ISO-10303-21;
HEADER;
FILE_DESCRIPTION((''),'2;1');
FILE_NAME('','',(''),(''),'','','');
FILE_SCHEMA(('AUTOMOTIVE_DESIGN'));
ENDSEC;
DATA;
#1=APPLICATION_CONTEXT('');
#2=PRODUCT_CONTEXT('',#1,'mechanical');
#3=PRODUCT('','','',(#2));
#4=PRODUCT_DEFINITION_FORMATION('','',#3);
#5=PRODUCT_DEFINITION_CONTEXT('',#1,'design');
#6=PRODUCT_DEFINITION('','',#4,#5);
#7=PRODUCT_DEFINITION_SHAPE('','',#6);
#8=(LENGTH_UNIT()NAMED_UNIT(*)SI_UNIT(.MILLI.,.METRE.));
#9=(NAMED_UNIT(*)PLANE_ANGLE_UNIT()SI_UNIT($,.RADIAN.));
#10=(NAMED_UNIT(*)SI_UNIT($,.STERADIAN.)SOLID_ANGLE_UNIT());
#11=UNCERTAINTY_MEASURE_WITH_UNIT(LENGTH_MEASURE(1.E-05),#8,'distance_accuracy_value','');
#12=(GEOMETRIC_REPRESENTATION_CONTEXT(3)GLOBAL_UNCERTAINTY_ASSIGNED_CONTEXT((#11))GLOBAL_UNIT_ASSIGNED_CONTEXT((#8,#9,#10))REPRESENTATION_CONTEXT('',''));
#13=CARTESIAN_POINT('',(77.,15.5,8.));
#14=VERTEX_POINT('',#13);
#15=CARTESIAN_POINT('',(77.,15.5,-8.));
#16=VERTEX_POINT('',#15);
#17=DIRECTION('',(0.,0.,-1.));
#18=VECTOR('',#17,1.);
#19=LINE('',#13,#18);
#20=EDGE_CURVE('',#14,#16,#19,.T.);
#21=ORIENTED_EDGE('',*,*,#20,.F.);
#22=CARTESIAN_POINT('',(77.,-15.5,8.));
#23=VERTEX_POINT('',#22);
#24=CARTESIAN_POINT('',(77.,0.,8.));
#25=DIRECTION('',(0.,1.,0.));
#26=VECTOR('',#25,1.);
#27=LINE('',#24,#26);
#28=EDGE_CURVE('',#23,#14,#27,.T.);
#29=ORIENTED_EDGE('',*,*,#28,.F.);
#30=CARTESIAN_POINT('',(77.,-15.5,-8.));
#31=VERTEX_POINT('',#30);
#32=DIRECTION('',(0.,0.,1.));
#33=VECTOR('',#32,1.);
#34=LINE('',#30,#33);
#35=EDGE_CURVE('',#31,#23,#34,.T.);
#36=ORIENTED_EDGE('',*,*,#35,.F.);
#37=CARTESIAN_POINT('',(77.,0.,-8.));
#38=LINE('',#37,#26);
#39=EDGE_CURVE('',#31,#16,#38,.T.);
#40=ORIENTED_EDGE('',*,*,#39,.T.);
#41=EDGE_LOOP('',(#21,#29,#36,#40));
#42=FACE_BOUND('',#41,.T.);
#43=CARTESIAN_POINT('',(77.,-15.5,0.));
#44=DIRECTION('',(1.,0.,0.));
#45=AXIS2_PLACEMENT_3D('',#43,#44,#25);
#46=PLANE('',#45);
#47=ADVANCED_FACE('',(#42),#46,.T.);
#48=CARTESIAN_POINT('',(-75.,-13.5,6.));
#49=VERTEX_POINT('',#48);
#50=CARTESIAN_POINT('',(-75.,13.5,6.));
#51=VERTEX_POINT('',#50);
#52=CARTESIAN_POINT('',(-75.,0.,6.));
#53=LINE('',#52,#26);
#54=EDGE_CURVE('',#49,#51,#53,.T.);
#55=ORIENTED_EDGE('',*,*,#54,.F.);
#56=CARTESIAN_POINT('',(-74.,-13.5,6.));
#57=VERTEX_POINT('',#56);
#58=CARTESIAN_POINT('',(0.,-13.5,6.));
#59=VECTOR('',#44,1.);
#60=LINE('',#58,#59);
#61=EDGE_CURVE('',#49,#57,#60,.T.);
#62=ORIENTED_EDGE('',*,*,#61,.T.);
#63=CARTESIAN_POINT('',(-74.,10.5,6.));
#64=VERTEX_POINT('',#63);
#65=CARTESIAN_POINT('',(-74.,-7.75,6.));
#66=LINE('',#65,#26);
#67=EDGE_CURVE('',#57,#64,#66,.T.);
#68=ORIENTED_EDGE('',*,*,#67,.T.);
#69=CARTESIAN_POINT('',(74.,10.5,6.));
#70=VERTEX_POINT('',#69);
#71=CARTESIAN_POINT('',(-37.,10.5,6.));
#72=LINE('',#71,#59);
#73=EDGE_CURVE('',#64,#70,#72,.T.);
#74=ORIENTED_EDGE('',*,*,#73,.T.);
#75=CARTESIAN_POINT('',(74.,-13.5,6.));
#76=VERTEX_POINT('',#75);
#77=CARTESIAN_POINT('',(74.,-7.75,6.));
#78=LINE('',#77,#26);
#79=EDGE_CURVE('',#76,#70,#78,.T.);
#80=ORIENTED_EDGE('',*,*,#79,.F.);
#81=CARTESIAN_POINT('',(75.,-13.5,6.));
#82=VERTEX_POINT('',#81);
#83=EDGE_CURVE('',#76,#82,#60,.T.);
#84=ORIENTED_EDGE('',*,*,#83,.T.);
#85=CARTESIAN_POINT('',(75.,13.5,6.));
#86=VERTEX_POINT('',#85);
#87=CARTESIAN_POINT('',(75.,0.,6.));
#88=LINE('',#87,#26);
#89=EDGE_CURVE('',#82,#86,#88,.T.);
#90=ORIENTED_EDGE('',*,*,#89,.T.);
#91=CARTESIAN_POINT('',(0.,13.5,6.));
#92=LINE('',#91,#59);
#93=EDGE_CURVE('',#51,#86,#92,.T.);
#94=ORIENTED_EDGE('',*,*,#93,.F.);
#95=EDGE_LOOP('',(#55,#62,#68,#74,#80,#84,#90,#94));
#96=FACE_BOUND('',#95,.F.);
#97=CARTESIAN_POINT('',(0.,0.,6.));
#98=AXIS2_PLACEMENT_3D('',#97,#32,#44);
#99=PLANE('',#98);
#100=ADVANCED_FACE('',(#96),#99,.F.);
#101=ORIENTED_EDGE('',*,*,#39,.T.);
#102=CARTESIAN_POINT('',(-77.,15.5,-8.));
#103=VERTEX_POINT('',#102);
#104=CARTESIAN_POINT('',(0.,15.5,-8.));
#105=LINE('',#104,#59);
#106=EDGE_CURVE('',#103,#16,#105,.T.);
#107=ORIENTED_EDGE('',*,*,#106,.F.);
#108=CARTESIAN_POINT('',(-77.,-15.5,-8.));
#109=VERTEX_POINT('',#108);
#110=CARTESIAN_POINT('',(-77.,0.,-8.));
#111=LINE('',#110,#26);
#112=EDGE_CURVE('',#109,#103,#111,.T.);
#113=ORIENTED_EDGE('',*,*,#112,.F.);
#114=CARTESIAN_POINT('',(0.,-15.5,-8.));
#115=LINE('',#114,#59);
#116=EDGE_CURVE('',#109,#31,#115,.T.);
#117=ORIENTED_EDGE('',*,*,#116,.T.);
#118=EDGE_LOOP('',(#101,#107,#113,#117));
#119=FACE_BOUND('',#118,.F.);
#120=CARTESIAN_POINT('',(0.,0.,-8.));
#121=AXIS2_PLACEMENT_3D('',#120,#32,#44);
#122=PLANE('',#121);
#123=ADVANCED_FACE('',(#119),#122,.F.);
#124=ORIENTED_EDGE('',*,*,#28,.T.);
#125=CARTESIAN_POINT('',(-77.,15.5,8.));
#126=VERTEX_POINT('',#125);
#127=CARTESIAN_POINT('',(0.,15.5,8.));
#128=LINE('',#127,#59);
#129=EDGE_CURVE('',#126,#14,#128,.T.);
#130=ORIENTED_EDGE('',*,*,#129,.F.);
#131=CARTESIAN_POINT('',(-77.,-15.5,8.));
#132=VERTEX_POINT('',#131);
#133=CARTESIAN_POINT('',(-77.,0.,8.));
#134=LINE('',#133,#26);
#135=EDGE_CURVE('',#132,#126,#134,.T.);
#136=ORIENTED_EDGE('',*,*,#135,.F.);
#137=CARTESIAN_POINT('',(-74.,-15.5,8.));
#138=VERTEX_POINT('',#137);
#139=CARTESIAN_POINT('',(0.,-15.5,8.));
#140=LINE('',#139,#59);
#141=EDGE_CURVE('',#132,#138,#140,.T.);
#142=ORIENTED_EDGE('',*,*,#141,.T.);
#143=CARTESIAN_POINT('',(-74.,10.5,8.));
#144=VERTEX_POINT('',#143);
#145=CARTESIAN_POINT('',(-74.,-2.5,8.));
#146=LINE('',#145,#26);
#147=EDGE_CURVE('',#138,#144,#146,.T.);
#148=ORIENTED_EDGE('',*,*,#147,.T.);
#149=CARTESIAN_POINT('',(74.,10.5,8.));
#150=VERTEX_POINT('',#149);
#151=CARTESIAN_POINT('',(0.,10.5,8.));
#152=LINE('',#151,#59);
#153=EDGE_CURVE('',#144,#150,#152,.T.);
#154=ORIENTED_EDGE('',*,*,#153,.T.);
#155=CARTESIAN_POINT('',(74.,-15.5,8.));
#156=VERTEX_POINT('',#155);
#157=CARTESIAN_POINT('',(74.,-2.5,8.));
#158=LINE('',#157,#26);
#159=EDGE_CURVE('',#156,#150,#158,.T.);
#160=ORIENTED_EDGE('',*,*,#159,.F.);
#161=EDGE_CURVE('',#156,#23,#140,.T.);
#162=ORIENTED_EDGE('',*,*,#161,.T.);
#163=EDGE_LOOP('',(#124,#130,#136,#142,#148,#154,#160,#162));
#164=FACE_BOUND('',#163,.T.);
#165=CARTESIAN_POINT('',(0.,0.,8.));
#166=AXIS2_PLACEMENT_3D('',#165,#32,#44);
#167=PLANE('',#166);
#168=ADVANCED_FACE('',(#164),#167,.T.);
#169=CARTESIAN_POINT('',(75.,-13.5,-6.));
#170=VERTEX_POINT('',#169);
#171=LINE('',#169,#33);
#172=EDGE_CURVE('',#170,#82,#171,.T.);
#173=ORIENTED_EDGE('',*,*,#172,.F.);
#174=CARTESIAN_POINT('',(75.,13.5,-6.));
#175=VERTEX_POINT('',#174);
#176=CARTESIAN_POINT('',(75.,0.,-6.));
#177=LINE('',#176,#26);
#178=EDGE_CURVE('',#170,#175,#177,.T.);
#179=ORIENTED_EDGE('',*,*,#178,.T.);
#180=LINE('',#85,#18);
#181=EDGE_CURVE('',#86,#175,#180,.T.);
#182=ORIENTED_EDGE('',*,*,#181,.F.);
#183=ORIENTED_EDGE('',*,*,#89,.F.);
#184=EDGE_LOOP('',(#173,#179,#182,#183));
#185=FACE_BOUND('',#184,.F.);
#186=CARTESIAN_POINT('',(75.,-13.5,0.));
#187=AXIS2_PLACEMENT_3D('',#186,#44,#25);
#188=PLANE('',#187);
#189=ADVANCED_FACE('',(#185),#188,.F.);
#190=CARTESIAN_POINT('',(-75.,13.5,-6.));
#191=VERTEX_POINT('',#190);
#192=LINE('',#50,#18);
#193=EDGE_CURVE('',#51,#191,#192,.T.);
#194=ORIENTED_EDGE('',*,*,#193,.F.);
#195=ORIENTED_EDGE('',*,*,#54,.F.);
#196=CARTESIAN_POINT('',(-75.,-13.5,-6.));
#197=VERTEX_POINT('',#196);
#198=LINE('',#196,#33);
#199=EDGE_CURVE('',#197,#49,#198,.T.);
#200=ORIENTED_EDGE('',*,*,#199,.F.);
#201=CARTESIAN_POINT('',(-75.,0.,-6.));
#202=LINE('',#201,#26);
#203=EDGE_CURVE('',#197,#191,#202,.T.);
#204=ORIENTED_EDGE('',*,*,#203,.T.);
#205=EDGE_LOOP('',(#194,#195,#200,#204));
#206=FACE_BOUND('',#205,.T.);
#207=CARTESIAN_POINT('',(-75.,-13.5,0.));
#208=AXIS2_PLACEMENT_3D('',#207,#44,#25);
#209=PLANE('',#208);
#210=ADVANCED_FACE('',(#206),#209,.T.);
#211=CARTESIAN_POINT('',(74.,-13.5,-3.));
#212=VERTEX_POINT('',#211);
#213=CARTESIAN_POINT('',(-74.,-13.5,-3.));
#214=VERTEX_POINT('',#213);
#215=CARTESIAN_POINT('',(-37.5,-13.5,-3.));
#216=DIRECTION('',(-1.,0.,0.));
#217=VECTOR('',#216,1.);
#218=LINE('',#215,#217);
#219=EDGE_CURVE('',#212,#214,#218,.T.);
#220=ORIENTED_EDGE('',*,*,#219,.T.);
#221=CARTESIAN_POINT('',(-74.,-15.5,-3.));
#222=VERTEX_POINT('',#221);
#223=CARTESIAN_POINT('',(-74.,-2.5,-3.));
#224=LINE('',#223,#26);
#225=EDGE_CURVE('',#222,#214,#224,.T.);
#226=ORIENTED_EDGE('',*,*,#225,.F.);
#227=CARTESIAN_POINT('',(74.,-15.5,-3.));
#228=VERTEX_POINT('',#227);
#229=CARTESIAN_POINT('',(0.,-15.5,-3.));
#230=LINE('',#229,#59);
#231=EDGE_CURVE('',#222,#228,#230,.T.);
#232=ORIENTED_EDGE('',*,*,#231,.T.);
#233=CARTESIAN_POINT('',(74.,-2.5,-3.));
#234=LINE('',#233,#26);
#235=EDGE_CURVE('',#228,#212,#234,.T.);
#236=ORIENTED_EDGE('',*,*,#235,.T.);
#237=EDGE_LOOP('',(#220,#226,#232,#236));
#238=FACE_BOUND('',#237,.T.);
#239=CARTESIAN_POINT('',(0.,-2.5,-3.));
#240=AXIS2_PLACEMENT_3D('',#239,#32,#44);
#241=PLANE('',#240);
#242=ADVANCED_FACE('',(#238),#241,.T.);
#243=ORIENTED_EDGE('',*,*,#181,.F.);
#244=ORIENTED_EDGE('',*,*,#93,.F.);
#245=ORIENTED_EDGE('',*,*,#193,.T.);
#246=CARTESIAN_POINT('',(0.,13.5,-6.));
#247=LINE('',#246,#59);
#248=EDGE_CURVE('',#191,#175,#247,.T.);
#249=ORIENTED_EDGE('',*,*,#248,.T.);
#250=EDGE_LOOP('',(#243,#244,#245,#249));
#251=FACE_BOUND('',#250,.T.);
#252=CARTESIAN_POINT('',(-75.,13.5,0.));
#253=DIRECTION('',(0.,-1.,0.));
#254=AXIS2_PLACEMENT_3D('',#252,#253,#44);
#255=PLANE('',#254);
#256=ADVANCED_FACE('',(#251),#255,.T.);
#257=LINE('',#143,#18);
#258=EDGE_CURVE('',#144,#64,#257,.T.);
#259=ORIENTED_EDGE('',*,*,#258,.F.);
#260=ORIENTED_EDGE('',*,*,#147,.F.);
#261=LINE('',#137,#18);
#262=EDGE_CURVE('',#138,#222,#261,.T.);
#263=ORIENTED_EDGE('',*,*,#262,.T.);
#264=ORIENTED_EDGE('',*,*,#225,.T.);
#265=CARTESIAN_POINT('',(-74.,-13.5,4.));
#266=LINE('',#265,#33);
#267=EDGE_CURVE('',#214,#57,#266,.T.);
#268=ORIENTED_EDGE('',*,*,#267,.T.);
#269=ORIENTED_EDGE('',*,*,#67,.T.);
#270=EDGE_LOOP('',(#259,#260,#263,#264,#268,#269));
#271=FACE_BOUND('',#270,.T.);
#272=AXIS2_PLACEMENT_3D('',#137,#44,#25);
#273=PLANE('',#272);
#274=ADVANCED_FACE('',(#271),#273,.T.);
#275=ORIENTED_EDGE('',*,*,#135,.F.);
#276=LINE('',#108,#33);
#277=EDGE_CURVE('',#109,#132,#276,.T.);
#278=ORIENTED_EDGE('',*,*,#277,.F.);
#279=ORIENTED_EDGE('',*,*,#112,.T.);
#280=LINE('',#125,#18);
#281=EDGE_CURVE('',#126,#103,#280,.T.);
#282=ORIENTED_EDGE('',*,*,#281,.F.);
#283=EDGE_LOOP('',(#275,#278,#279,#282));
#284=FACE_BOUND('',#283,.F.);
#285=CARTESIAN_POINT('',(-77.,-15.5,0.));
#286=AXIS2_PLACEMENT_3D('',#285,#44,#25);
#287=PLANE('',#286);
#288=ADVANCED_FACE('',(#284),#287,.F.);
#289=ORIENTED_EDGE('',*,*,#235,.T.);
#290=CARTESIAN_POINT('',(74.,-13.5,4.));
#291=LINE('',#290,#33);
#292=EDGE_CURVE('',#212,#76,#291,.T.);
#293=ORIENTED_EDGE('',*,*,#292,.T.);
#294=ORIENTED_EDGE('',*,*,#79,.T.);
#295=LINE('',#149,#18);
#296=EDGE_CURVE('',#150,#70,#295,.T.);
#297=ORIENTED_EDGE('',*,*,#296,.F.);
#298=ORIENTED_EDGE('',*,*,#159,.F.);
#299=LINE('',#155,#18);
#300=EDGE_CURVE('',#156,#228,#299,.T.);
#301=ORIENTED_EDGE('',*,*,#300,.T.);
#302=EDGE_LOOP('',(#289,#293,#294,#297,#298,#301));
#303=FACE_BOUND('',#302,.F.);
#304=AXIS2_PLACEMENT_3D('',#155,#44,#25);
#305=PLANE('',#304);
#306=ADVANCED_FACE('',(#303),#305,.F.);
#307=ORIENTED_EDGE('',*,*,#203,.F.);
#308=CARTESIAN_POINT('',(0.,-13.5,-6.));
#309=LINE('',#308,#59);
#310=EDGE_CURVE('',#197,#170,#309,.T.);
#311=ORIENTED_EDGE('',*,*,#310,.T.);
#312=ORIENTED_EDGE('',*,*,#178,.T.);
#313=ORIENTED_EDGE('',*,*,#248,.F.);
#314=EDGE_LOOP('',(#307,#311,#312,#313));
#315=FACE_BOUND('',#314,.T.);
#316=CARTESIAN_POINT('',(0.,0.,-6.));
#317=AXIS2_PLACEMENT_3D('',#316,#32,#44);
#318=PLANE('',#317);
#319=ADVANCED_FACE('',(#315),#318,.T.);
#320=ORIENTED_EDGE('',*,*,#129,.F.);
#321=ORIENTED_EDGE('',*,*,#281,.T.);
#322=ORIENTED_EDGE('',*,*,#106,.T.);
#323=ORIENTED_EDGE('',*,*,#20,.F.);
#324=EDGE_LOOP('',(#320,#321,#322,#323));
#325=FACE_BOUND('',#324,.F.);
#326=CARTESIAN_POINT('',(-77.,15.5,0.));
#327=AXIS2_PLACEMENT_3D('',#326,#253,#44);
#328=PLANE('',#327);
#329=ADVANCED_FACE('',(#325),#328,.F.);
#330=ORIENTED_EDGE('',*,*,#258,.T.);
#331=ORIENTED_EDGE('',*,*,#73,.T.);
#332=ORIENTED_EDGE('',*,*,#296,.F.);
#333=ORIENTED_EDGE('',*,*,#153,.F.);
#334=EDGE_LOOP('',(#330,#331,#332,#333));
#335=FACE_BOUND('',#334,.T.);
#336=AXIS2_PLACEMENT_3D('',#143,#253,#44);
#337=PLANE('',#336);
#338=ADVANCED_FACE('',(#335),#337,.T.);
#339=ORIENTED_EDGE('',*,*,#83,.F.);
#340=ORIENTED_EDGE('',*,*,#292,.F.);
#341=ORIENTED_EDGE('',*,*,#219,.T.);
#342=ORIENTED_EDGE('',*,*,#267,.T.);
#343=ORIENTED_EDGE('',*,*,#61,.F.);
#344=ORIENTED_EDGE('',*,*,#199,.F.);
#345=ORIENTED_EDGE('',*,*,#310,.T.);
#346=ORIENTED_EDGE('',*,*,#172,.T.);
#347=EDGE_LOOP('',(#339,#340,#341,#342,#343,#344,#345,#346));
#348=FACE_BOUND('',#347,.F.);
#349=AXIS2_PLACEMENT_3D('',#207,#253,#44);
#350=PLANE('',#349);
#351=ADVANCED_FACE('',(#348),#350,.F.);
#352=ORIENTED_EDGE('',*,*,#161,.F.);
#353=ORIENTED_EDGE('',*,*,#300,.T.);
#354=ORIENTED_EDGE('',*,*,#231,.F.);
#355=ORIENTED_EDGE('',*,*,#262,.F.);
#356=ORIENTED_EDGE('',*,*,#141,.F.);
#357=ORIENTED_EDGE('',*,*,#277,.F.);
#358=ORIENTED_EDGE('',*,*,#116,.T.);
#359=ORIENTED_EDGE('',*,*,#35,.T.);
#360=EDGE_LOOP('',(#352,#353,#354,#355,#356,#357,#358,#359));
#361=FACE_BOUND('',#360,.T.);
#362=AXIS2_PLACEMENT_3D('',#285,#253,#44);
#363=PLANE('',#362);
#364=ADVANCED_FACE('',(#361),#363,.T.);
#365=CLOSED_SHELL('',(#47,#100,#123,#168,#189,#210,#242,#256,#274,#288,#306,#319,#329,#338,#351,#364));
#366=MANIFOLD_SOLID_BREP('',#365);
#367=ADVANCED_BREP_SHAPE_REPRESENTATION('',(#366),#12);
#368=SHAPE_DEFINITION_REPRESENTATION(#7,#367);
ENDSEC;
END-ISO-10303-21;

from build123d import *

# Parameters (mm, degrees)
F0_W     = 154
F0_H     = 31
F1_DEPTH = 8
F2_W     = 150
F2_H     = 27
F3_DEPTH = 6
F4_W     = 148
F4_H     = 26
F5_DEPTH = 11


with BuildPart() as f1:
    # F0 (on Top) → F1 (new body, symmetric)
    with BuildSketch(Plane.XY):
        Rectangle(F0_W, F0_H)
    extrude(amount=F1_DEPTH, both=True)

    # F2 (on Top) → F3 (cut, symmetric)
    with BuildSketch(Plane.XY):
        Rectangle(F2_W, F2_H)
    extrude(amount=F3_DEPTH, both=True, mode=Mode.SUBTRACT)

    # F4 (on face) → F5 (cut)
    with BuildSketch(Plane.XY.offset(8)):
        with Locations((0, -2.5)):
            Rectangle(F4_W, F4_H)
    extrude(amount=-F5_DEPTH, mode=Mode.SUBTRACT)


solid = f1.part
